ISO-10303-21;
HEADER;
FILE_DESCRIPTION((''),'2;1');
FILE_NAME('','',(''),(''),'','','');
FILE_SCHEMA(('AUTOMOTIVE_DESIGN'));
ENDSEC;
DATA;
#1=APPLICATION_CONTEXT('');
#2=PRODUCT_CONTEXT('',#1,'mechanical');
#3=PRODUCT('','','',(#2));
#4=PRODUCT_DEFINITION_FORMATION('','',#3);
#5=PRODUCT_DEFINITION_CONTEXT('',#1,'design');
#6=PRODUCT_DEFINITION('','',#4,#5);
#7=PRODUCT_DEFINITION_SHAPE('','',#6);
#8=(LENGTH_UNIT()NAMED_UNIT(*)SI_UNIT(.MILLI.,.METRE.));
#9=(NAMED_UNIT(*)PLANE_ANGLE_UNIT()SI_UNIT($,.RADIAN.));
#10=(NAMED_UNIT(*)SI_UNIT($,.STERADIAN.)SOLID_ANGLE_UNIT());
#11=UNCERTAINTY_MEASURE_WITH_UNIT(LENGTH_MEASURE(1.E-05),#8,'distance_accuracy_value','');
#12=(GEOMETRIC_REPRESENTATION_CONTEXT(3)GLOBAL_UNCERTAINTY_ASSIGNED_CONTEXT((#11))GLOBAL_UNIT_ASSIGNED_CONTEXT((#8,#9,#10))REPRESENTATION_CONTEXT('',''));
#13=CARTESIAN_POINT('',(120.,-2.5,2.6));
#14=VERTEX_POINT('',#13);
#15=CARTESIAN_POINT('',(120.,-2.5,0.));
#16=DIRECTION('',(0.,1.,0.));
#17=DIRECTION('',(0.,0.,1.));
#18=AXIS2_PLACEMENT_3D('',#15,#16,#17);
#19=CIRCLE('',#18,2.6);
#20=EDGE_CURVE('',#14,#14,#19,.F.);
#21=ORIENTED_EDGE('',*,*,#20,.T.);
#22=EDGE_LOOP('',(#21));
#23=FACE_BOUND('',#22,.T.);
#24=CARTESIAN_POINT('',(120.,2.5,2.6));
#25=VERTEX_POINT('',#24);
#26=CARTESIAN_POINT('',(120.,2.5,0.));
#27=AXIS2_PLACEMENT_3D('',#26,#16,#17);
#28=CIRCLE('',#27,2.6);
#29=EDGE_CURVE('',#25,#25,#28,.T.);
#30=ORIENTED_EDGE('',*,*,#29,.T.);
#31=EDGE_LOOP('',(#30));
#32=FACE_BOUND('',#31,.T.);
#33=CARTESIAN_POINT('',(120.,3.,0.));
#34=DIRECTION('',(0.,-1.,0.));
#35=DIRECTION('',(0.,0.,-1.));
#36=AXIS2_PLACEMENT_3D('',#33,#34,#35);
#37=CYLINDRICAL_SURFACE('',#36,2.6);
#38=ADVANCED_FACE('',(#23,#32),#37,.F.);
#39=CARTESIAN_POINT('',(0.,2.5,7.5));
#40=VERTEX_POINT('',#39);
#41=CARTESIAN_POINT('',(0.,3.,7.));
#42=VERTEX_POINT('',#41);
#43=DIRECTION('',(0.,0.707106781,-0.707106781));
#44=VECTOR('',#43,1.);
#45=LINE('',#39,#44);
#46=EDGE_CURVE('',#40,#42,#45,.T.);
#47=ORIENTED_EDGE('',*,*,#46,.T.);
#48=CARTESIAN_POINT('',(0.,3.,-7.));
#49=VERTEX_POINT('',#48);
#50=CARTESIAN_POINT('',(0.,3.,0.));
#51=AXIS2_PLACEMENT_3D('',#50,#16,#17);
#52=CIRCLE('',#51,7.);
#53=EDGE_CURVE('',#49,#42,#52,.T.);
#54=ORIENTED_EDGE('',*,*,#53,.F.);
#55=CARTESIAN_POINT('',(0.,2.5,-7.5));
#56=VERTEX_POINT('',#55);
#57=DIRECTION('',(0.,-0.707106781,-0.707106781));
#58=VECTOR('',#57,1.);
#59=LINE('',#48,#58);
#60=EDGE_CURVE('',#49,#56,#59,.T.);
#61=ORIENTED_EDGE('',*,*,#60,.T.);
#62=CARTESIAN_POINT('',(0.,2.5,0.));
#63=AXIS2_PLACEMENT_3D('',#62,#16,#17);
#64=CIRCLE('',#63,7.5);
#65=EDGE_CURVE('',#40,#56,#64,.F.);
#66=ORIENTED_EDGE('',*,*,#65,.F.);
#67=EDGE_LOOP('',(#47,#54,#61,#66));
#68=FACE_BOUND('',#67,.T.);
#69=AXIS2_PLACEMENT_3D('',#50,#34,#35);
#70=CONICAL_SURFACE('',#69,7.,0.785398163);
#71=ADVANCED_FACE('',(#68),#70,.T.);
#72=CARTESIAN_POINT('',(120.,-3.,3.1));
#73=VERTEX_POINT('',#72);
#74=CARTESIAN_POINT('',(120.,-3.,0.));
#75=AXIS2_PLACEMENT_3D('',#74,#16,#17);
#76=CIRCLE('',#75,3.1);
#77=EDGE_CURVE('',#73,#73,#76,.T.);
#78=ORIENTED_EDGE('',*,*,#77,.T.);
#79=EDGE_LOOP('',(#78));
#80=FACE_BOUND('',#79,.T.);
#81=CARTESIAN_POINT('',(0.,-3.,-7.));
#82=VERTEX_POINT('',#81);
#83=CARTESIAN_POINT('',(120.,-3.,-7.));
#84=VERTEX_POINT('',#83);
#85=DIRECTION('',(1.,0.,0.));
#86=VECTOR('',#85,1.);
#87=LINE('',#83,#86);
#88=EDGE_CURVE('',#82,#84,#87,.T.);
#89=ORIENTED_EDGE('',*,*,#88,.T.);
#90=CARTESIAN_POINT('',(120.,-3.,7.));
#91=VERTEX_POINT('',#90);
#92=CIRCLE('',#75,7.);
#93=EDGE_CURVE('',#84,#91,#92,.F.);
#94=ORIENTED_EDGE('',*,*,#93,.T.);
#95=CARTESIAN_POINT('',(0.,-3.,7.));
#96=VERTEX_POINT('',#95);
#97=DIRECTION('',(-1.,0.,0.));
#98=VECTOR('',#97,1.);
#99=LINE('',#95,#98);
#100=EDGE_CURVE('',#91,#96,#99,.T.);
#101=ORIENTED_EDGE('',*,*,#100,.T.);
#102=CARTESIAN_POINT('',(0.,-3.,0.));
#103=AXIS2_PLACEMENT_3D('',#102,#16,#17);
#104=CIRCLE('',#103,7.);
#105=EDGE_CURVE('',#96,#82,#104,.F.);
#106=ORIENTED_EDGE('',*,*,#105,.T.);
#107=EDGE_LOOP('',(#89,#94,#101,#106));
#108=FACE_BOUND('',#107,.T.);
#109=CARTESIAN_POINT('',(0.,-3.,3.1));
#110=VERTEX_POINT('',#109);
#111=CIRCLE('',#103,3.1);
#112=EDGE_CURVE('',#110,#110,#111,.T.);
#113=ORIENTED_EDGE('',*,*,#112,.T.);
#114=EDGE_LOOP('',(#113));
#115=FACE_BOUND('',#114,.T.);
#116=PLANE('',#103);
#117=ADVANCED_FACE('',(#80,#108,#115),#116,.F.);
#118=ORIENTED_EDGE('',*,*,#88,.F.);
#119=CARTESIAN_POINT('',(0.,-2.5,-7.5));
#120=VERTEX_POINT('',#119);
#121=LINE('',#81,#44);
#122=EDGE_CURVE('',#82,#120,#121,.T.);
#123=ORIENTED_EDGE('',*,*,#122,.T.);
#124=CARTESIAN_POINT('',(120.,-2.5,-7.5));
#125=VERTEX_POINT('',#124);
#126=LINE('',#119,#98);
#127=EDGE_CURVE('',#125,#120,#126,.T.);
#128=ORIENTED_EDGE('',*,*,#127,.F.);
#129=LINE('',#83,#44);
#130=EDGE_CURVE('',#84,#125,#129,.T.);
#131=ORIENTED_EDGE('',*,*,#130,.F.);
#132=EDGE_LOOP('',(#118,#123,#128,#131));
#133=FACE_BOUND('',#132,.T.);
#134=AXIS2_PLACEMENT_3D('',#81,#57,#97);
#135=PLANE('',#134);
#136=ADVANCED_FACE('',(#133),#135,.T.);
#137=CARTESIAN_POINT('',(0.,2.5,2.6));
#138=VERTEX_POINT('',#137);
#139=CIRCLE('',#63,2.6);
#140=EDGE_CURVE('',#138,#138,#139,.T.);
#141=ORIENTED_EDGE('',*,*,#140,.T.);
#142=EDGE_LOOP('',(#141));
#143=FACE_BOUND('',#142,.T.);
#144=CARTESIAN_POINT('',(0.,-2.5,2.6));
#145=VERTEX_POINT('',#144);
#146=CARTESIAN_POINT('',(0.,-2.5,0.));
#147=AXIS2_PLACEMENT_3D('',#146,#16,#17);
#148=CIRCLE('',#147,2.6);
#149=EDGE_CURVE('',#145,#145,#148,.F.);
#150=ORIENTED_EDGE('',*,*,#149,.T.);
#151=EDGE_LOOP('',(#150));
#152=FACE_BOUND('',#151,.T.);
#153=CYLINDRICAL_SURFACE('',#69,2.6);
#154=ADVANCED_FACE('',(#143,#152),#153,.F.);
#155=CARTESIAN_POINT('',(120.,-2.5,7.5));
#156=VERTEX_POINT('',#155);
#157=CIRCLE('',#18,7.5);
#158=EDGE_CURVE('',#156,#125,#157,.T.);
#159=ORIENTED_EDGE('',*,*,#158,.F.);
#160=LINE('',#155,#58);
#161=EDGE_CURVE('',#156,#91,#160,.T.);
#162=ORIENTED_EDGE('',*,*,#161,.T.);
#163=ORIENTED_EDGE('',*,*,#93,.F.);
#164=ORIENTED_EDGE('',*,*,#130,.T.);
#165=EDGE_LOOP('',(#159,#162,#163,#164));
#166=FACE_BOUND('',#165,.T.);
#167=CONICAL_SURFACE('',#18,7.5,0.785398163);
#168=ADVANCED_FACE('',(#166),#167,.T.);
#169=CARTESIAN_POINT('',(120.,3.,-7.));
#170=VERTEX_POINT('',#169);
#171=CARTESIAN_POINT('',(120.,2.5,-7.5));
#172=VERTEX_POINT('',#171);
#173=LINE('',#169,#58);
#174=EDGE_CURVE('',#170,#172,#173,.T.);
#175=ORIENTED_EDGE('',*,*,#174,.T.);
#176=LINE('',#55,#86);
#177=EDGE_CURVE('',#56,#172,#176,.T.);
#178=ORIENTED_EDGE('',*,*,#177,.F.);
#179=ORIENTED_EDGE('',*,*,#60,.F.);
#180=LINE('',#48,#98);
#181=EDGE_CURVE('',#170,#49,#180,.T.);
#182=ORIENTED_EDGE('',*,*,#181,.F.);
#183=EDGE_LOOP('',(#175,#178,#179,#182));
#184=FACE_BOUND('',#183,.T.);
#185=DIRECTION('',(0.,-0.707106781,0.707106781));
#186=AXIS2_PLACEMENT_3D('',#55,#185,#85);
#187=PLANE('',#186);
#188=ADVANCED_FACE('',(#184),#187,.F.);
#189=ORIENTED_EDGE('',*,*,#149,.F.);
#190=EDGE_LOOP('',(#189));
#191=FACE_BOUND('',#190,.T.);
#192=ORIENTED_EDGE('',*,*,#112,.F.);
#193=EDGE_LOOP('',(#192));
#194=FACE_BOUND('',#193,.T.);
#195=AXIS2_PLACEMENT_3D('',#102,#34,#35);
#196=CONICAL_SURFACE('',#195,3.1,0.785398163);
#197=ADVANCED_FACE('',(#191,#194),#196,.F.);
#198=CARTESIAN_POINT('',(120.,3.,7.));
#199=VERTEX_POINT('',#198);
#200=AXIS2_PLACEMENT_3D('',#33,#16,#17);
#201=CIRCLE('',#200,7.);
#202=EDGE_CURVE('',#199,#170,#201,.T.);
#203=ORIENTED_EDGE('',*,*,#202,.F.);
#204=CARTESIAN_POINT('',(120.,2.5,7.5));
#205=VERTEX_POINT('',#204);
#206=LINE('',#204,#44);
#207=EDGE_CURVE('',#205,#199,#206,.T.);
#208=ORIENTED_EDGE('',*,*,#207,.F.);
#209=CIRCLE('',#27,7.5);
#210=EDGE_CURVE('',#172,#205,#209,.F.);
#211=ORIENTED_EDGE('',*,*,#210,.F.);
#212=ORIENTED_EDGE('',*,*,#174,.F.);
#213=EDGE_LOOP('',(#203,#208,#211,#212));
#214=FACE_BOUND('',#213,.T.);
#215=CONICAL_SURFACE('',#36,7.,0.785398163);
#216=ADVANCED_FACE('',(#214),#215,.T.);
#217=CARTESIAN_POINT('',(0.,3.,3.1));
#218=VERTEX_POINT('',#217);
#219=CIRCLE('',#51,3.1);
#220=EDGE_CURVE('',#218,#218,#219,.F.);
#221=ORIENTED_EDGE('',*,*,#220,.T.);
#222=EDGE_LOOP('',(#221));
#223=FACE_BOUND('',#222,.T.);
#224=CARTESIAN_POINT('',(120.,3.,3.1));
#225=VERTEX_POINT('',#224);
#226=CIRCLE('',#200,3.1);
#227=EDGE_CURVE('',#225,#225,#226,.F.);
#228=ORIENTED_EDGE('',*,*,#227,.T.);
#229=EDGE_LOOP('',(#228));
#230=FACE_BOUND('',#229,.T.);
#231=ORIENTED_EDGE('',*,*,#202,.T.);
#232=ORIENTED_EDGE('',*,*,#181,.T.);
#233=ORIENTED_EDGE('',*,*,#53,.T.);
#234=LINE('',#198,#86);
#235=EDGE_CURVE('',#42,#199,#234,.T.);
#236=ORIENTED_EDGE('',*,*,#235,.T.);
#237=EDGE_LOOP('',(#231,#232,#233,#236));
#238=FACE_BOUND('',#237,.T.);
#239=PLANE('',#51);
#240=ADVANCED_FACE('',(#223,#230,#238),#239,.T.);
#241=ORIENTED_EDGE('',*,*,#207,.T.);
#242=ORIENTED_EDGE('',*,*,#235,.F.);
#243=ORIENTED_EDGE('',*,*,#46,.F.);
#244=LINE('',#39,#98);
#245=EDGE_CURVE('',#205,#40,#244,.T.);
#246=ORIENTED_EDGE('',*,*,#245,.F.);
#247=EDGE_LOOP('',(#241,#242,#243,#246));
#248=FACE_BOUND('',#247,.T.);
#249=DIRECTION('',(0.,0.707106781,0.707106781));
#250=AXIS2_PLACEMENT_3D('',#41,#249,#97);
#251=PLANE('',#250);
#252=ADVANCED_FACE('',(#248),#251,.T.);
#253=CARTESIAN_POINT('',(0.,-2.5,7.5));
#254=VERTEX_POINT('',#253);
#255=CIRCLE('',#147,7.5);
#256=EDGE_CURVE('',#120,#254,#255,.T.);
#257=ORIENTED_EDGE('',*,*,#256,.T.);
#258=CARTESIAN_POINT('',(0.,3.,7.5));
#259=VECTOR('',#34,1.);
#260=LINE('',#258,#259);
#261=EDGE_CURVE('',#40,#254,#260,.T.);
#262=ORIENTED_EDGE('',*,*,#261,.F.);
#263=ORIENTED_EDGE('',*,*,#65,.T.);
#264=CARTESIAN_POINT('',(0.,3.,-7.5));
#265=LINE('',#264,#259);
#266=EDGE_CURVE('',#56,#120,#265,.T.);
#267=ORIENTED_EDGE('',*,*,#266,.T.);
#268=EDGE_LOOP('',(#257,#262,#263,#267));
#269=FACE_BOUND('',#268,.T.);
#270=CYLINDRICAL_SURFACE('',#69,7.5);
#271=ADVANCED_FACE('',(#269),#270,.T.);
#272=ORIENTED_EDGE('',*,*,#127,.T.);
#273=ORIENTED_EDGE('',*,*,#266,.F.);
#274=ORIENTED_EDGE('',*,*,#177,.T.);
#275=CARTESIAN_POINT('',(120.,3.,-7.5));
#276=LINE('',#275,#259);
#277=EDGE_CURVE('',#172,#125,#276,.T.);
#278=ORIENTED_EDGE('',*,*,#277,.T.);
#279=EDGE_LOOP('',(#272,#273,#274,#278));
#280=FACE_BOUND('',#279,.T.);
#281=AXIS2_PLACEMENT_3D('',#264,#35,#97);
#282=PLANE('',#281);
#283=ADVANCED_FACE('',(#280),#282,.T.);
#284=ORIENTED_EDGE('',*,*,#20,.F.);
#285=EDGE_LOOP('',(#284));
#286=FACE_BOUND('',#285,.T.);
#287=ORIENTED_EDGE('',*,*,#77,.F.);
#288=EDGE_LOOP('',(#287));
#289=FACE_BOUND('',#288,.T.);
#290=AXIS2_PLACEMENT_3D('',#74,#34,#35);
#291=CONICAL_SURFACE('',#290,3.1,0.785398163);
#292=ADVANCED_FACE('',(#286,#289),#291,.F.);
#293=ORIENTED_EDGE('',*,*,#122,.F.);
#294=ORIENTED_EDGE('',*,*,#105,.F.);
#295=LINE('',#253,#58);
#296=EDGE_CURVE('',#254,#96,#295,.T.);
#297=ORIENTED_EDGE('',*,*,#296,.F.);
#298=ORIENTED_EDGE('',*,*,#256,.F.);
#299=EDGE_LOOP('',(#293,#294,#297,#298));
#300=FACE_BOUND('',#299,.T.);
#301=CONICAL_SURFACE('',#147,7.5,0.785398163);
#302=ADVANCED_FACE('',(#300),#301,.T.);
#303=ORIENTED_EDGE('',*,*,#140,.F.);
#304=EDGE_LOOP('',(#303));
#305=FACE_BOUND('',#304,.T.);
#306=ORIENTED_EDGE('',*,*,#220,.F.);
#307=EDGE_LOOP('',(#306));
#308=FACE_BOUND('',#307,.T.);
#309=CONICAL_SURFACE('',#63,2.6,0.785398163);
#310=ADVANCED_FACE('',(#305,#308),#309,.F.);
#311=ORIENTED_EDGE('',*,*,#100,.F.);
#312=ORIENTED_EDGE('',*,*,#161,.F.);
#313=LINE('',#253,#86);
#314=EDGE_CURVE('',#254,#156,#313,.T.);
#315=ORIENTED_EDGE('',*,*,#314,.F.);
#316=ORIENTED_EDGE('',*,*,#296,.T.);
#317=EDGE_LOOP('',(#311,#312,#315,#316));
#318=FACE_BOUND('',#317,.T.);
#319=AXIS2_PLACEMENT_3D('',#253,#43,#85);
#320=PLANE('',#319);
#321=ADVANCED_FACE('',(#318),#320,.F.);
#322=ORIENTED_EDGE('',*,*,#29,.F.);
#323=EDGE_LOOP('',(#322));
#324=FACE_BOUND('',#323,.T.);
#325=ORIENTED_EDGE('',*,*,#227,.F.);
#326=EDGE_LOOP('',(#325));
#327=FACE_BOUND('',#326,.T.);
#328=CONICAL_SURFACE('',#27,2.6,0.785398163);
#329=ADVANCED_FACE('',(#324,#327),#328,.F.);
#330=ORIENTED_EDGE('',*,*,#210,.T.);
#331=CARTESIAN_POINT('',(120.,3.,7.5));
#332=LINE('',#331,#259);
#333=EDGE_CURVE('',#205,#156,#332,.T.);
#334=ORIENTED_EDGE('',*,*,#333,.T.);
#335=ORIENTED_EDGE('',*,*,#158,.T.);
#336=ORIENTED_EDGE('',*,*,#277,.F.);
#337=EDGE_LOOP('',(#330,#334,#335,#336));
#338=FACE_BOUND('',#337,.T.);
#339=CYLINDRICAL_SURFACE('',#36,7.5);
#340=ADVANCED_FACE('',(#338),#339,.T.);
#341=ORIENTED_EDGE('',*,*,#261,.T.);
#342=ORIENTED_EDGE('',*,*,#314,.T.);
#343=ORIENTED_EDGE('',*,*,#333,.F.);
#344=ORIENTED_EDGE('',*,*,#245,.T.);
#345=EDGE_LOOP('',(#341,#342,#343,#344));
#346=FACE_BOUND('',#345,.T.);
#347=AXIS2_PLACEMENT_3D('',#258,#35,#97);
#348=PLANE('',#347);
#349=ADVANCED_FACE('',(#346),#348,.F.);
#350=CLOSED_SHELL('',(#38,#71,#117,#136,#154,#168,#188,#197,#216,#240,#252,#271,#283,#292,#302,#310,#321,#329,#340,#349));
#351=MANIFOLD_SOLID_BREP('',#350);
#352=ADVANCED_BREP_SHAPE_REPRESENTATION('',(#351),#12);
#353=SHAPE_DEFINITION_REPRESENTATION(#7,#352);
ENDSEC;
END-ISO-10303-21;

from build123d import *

# Parameters (mm, degrees)
SKETCH1_R           = 2.6
BOSS_EXTRUDE1_DEPTH = 3
CHAMFER1_SIZE       = 0.5


with BuildPart() as part:
    # Sketch1 → Boss-Extrude1 (new, symmetric)
    with BuildSketch(Plane(origin=(0, 0, 0), x_dir=(1, 0, 0), z_dir=(0, 1, 0))):
        with BuildLine():
            Line((0, -7.5), (120, -7.5))
            ThreePointArc((120, -7.5), (127.5, 0), (120, 7.5))
            Line((120, 7.5), (0, 7.5))
            ThreePointArc((0, 7.5), (-7.5, 0), (0, -7.5))
        make_face()
        with Locations(Location((0, 0, 0), (0, 0, 270))):
            Circle(SKETCH1_R, mode=Mode.SUBTRACT)
        with Locations(Location((120, 0, 0), (0, 0, 270))):
            Circle(SKETCH1_R, mode=Mode.SUBTRACT)
    extrude(amount=BOSS_EXTRUDE1_DEPTH, both=True)

    # Chamfer1
    chamfer1_edges = [part.edges().sort_by_distance(p)[0] for p in [
        (120, -3, -2.6),
        (0, -3, -2.6),
        (120, 3, -2.6),
        (60, 3, 7.5),
        (127.5, 3, 0),
        (60, 3, -7.5),
        (-7.5, 3, 0),
        (0, 3, -2.6),
        (-7.5, -3, 0),
        (60, -3, -7.5),
        (127.5, -3, 0),
        (60, -3, 7.5),
    ]]
    chamfer(chamfer1_edges, length=CHAMFER1_SIZE)


solid = part.part
